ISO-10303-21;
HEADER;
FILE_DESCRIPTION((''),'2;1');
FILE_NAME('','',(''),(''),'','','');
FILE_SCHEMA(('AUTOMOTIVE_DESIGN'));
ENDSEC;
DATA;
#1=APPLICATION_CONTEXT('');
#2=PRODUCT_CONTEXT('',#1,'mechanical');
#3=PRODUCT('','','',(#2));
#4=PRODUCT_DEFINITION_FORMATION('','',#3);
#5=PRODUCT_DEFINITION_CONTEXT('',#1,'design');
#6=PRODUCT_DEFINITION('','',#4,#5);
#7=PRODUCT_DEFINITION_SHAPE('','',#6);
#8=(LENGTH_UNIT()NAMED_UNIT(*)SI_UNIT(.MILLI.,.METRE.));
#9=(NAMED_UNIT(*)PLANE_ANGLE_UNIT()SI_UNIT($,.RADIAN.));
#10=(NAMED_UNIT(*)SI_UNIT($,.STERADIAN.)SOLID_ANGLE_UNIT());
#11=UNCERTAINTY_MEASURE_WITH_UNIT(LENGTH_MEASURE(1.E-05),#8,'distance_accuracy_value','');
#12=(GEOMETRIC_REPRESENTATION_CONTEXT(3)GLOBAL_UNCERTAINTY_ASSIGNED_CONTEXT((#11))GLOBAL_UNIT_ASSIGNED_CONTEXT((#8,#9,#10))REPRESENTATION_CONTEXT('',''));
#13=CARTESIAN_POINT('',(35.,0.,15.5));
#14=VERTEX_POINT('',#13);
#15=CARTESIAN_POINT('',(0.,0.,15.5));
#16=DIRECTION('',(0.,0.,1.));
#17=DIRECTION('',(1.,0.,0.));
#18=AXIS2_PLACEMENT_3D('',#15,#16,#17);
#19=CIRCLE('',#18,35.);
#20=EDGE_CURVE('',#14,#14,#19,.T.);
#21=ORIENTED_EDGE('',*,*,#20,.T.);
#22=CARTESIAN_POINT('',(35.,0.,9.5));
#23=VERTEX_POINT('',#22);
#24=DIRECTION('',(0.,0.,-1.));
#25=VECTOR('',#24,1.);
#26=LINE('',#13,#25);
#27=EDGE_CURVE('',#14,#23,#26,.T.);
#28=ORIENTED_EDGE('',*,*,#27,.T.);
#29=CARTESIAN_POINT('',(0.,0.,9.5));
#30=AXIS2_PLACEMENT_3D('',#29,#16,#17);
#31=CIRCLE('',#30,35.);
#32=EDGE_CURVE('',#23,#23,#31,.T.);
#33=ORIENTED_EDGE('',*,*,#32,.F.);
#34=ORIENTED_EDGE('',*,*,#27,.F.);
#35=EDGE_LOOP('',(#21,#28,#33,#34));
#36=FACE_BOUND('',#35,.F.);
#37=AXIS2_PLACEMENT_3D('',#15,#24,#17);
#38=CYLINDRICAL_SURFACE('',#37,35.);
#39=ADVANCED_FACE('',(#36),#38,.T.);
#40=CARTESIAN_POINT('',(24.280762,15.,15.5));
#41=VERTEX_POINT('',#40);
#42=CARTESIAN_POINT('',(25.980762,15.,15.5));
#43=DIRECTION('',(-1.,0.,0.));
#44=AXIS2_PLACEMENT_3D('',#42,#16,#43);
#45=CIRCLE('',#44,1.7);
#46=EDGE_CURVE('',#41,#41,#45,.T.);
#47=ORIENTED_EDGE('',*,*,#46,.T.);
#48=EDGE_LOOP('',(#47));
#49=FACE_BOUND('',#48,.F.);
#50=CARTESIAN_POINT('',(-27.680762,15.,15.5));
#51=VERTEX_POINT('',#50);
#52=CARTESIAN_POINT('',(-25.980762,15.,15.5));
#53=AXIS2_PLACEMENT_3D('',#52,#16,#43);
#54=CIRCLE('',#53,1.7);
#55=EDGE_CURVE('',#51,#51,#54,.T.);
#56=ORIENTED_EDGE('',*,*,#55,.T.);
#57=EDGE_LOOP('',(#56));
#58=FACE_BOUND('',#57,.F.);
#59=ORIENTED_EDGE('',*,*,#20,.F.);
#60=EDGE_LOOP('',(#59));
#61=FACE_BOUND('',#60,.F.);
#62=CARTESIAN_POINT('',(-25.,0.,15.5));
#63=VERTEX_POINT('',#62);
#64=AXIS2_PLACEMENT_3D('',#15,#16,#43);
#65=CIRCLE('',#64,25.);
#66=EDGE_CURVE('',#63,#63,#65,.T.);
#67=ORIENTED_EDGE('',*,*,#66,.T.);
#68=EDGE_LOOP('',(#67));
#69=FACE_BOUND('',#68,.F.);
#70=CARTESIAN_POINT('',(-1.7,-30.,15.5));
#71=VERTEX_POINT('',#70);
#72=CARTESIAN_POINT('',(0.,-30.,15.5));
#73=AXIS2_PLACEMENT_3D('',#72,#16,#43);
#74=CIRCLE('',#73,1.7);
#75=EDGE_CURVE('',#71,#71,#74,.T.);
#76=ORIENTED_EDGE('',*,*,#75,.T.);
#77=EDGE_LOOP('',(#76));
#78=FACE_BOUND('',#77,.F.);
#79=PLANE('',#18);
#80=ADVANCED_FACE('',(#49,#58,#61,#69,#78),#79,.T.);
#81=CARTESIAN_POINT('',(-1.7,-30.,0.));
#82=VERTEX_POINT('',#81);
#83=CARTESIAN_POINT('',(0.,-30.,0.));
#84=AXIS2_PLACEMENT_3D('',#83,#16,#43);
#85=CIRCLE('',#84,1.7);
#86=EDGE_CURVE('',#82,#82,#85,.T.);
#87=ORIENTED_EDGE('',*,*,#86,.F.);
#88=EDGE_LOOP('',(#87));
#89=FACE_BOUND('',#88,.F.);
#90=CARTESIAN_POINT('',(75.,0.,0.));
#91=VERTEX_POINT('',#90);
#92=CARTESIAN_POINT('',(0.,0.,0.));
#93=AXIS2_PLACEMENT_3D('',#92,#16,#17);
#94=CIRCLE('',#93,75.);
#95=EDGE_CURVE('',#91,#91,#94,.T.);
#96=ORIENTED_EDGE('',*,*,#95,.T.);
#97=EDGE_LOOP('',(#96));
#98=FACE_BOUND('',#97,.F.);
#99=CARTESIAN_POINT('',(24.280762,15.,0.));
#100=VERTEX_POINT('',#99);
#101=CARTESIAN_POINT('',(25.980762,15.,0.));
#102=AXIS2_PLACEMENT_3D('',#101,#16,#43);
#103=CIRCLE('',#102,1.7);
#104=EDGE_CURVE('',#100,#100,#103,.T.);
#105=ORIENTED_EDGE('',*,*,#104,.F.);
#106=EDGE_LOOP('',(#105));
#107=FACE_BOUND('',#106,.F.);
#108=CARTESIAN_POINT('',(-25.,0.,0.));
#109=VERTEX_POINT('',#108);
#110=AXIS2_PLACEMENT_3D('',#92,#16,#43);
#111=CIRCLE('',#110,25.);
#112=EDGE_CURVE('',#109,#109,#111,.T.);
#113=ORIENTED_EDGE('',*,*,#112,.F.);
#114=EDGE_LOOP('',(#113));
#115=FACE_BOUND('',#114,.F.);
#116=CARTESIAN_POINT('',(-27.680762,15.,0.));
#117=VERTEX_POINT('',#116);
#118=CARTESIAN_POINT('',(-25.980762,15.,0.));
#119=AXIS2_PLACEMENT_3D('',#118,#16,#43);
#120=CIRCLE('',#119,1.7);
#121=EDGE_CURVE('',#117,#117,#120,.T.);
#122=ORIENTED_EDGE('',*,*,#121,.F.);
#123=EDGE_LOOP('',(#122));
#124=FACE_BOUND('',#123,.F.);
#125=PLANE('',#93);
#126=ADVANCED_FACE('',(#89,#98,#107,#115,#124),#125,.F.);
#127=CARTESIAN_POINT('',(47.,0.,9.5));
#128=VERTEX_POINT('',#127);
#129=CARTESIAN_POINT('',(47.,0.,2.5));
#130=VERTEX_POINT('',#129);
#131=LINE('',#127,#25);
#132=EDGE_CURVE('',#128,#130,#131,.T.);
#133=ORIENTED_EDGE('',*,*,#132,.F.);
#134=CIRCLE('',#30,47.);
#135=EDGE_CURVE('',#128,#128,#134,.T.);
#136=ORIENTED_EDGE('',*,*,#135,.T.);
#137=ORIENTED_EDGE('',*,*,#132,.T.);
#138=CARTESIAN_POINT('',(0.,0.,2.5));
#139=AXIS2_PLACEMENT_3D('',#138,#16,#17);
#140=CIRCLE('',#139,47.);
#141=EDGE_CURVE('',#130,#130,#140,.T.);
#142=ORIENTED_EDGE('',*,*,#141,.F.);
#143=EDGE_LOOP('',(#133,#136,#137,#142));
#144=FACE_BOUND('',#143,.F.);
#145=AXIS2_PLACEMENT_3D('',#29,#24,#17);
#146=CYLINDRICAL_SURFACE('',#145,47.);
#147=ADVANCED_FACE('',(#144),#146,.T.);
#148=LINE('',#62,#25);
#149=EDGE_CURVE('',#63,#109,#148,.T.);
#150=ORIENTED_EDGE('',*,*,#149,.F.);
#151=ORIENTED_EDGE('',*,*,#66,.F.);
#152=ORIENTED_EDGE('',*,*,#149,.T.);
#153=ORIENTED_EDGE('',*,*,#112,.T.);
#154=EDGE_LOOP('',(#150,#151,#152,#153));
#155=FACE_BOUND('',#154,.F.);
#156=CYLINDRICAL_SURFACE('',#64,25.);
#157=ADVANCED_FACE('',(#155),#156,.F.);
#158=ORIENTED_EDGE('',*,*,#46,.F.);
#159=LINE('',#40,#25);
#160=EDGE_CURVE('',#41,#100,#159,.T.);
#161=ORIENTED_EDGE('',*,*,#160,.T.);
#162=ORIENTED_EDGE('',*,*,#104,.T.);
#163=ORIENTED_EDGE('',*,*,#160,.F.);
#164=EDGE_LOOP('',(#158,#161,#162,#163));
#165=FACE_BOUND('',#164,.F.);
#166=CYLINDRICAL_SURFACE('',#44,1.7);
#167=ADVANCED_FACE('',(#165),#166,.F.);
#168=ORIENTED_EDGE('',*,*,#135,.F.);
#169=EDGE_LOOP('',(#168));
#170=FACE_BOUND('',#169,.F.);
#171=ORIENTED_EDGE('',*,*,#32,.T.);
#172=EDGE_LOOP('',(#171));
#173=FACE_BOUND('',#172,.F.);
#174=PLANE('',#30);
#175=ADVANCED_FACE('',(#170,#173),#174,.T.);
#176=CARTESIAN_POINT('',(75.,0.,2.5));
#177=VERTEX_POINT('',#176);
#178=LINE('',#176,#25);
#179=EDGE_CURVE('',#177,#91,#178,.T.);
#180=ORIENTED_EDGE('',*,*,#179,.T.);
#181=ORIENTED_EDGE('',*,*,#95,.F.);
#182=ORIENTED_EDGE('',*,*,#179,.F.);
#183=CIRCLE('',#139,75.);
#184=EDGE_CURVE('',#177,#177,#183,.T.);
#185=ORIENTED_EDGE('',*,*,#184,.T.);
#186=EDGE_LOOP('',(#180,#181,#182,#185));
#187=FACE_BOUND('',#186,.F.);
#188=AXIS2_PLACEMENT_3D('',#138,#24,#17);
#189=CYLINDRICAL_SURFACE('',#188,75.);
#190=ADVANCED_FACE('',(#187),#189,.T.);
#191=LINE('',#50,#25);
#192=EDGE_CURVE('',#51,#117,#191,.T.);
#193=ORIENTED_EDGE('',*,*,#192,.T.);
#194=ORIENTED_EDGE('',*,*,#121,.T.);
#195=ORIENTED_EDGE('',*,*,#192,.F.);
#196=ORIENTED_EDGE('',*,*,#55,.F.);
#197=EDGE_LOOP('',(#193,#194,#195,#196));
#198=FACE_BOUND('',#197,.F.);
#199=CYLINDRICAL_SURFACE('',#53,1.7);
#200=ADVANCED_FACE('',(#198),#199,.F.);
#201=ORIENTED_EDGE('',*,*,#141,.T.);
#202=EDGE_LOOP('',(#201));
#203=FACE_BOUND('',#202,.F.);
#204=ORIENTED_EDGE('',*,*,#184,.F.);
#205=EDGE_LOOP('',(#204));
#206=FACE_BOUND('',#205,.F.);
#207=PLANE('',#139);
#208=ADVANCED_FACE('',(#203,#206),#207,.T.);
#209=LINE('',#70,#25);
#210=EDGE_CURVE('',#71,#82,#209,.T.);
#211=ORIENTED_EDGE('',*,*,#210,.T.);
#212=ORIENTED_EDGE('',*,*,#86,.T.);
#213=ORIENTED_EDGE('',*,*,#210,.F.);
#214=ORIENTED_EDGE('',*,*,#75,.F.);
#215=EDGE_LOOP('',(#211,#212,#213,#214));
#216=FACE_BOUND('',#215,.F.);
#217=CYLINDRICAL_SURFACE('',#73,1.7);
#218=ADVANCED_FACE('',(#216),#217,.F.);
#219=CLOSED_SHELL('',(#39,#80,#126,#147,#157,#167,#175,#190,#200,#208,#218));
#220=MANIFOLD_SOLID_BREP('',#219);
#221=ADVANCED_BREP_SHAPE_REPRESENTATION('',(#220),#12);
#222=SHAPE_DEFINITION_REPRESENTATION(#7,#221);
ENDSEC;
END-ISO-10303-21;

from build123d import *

# Parameters (mm, degrees)
SKETCH001_R   = 25
SKETCH001_R_2 = 1.7
POCKET_DEPTH  = 15.501


with BuildPart() as part:
    # Sketch → Revolution (revolve)
    with BuildSketch(Plane.XZ):
        Polygon((0, 15.5), (35, 15.5), (35, 9.5), (47, 9.5), (47, 2.5), (75, 2.5), (75, 0), (0, 0), align=None)
    revolve(axis=Axis((0, 0, 0), (0, 0, 1)))

    # Sketch001 → Pocket (cut, through all)
    with BuildSketch(Plane(origin=(0, 0, 15.5), x_dir=(-1, 0, 0), z_dir=(0, 0, 1))):
        Circle(SKETCH001_R)
        with Locations((0, 30)):
            Circle(SKETCH001_R_2)
        with Locations((25.980762, -15)):
            Circle(SKETCH001_R_2)
        with Locations((-25.980762, -15)):
            Circle(SKETCH001_R_2)
    extrude(amount=-POCKET_DEPTH, mode=Mode.SUBTRACT)


solid = part.part
